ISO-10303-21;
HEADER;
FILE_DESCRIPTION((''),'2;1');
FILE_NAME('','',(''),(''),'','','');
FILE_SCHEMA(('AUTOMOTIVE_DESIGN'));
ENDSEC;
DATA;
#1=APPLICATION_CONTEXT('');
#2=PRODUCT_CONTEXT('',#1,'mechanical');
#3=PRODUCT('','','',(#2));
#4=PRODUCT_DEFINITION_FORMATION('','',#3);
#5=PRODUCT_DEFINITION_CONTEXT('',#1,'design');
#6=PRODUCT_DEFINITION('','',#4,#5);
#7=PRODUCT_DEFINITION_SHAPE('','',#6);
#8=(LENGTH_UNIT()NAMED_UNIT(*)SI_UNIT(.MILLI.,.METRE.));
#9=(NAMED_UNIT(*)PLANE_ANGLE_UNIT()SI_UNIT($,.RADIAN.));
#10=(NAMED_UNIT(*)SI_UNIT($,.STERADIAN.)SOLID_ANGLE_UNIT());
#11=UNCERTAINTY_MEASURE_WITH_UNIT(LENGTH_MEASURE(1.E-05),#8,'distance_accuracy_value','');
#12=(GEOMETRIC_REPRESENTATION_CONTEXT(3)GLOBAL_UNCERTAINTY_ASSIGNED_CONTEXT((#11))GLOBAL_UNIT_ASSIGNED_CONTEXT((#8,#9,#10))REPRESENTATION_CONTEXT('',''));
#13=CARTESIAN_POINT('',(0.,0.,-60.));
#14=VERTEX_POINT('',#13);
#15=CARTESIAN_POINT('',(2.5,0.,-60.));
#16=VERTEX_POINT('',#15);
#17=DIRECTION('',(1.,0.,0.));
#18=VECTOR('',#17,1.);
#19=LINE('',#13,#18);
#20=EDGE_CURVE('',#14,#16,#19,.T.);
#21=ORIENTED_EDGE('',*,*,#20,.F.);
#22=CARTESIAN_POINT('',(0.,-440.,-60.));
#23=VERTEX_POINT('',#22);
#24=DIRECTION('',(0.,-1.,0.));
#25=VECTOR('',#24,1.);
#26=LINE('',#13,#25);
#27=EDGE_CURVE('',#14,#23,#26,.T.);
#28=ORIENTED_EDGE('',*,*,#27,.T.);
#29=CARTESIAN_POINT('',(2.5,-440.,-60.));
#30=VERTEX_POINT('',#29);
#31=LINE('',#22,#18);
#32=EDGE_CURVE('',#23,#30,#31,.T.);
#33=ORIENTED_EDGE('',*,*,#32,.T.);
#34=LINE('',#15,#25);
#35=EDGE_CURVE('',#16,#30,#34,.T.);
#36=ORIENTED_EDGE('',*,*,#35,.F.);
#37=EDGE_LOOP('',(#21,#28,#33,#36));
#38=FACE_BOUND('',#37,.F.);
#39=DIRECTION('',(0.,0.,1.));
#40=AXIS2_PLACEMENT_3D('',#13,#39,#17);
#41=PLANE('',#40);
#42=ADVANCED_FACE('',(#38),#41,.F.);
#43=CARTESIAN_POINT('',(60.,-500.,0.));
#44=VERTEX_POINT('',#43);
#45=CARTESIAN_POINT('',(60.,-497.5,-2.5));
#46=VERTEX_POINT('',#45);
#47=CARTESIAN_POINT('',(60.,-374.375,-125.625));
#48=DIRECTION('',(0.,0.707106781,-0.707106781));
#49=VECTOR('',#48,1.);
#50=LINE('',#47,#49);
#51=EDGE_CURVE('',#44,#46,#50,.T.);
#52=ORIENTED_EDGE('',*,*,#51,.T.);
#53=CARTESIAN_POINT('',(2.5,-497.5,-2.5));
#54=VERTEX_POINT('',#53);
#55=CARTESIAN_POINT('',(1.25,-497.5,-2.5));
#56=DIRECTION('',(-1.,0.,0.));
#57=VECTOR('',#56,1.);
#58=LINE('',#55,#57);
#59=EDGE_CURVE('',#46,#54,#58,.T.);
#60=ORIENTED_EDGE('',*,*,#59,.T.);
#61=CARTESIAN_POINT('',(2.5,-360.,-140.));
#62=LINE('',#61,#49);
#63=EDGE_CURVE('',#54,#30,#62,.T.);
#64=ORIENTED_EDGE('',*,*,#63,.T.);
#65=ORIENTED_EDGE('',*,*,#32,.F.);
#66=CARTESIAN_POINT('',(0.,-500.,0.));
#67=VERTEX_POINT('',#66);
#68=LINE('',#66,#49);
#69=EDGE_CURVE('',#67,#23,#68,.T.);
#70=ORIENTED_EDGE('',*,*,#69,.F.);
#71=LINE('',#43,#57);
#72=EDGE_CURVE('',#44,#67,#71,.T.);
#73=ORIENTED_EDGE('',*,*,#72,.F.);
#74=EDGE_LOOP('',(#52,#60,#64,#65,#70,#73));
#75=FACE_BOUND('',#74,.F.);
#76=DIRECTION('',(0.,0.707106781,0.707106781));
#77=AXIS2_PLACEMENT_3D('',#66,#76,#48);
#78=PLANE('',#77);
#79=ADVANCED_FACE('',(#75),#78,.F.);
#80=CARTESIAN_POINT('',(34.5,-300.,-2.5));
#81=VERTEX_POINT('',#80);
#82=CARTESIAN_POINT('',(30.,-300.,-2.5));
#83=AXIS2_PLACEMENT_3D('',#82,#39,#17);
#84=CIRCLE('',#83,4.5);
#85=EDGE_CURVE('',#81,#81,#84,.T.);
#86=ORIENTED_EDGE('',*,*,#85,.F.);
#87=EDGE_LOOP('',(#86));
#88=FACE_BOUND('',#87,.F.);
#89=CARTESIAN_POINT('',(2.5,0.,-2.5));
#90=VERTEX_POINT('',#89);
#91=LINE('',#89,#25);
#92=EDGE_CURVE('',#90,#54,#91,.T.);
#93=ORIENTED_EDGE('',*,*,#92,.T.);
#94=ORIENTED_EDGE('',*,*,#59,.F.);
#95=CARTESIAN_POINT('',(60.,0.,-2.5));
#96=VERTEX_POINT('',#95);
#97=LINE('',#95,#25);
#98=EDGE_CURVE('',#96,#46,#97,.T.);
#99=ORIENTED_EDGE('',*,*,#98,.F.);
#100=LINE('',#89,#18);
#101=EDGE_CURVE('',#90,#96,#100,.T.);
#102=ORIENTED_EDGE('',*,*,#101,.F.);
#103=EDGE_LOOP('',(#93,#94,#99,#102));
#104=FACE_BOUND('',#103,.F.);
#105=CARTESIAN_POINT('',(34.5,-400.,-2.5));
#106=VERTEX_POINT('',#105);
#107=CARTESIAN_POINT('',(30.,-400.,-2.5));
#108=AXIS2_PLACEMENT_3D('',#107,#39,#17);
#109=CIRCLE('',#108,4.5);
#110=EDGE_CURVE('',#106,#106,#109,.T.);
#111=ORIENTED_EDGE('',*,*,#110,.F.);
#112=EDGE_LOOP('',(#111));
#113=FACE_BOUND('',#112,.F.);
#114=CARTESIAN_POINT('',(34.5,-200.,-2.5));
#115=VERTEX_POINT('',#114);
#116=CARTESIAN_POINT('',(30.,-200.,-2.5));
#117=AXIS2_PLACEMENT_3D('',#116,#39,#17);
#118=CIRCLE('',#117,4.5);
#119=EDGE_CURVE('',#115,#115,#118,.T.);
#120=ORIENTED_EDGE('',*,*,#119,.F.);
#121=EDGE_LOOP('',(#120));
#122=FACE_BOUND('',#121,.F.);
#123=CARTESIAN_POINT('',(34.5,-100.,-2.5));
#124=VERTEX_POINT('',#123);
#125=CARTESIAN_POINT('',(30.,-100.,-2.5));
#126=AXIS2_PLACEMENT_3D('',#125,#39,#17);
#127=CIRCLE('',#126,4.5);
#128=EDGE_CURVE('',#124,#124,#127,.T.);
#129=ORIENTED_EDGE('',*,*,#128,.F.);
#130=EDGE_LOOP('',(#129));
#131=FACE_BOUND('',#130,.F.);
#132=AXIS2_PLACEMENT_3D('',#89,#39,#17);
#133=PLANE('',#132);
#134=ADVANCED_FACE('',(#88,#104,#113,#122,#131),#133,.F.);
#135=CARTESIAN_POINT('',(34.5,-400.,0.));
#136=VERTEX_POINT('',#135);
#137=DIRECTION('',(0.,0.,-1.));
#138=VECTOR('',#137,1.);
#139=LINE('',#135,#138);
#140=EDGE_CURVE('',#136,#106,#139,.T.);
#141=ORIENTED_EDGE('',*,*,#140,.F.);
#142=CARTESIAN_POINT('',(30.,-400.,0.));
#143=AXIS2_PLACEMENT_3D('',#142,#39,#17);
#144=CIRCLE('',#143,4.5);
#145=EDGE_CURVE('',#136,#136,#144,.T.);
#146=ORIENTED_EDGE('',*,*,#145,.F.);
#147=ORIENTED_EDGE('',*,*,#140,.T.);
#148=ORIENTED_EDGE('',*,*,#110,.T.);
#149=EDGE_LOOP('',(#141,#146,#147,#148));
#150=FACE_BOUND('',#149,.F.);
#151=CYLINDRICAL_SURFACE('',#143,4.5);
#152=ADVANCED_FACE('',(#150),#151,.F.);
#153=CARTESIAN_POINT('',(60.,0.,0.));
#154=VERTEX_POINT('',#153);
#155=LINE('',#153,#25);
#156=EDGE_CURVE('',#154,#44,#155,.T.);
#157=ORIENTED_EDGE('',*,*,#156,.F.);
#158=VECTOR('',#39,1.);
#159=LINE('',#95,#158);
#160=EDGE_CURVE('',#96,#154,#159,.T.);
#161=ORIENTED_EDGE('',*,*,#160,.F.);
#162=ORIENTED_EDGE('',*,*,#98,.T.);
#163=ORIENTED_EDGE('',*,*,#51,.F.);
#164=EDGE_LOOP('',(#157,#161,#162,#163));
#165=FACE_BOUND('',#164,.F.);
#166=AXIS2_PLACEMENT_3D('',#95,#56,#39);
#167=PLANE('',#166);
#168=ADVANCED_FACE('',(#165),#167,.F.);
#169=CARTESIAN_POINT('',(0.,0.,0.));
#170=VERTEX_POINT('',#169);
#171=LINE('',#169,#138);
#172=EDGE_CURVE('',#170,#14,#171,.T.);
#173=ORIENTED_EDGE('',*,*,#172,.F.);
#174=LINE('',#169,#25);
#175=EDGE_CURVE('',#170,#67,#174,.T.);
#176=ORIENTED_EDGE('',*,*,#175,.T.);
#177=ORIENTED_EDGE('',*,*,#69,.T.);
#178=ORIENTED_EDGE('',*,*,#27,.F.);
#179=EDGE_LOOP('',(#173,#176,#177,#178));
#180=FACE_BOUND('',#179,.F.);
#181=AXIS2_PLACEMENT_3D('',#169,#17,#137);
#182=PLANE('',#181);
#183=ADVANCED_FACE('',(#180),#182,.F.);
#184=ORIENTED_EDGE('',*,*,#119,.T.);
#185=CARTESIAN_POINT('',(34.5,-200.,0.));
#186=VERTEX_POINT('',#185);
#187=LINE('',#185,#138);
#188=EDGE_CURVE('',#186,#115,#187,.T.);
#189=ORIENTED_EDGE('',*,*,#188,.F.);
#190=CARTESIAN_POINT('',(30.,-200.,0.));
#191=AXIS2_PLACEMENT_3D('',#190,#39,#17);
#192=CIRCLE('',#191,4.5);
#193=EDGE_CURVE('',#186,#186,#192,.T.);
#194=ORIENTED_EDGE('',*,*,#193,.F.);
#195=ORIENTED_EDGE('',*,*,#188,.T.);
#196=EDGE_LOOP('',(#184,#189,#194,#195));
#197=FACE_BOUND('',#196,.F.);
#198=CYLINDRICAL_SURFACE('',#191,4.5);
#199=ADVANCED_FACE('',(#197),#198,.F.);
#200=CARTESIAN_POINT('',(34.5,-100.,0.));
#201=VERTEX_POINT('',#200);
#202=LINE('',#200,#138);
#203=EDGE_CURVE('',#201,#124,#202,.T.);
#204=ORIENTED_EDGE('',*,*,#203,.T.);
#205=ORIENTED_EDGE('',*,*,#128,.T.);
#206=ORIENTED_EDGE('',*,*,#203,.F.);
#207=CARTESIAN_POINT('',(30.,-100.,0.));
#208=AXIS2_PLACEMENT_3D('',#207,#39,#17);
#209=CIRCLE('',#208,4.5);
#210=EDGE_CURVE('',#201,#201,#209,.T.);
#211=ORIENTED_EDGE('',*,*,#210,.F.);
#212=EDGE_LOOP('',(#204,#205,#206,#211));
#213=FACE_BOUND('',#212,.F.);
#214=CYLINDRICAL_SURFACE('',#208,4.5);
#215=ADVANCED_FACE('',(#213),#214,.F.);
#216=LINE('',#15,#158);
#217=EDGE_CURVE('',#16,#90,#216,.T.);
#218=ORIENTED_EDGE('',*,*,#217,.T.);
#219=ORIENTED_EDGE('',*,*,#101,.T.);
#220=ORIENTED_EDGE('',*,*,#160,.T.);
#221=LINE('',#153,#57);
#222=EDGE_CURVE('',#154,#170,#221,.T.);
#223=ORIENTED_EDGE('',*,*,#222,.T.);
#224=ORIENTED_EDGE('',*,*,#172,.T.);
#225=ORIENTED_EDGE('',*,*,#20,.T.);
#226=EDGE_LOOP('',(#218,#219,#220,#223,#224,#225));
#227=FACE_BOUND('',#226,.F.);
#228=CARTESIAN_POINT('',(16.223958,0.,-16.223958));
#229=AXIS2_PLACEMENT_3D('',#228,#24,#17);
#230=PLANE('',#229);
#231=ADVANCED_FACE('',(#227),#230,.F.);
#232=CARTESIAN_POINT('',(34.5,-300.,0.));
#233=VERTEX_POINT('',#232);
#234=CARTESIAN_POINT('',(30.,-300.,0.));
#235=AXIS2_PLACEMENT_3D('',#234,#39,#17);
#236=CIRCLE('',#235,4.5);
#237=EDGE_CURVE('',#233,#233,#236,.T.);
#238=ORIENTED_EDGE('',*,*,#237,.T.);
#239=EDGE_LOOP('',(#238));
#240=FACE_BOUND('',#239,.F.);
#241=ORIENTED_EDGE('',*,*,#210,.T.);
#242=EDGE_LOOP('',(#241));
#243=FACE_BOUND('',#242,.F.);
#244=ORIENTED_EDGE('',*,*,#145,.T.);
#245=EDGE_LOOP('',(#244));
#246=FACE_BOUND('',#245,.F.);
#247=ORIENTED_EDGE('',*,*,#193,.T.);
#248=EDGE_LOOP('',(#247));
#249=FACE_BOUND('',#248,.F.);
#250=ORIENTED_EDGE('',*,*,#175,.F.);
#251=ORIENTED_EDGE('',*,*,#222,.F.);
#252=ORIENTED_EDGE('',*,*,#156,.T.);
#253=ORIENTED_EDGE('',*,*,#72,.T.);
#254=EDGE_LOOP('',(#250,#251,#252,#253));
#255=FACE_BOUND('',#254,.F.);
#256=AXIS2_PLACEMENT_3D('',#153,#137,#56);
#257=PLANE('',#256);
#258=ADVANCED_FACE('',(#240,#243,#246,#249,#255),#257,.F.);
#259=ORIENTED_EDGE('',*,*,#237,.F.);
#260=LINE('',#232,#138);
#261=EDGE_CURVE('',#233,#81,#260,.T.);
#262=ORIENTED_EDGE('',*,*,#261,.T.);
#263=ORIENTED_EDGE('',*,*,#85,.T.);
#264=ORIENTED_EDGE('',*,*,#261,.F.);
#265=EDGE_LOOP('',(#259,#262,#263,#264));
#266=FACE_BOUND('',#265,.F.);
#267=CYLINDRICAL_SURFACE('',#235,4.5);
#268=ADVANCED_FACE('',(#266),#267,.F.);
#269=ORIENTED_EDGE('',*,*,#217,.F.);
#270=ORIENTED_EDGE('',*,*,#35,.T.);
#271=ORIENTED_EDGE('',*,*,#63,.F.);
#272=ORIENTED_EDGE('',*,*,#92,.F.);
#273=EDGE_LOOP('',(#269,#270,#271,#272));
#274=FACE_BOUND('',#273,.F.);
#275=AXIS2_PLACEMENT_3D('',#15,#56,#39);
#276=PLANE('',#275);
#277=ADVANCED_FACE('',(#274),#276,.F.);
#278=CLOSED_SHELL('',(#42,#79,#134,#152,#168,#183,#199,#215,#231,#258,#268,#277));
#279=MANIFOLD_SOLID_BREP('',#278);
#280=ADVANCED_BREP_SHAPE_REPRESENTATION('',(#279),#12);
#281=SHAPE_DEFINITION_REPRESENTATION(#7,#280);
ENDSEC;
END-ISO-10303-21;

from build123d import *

# Parameters (mm, degrees)
F1_DEPTH = 500
F3_DEPTH = 60.001
F4_R     = 4.5
F5_DEPTH = 60.001


with BuildPart() as f1:
    # F0 (on Front) → F1 (new body)
    with BuildSketch(Plane.XZ):
        Polygon((60, 0), (0, 0), (0, -60), (2.5, -60), (2.5, -2.5), (60, -2.5), align=None)
    extrude(amount=F1_DEPTH)

    # F2 (on face) → F3 (cut, through all)
    with BuildSketch(Plane(origin=(0, 0, 0), x_dir=(0, -1, 0), z_dir=(-1, 0, 0))):
        Polygon((500, -60), (500, 0), (440, -60), align=None)
    extrude(amount=-F3_DEPTH, mode=Mode.SUBTRACT)

    # F4 (on face) → F5 (cut, through all)
    with BuildSketch(Plane.XY):
        with Locations((30, -100)):
            Circle(F4_R)
        with Locations((30, -200)):
            Circle(F4_R)
        with Locations((30, -300)):
            Circle(F4_R)
        with Locations((30, -400)):
            Circle(F4_R)
    extrude(amount=-F5_DEPTH, mode=Mode.SUBTRACT)


solid = f1.part
